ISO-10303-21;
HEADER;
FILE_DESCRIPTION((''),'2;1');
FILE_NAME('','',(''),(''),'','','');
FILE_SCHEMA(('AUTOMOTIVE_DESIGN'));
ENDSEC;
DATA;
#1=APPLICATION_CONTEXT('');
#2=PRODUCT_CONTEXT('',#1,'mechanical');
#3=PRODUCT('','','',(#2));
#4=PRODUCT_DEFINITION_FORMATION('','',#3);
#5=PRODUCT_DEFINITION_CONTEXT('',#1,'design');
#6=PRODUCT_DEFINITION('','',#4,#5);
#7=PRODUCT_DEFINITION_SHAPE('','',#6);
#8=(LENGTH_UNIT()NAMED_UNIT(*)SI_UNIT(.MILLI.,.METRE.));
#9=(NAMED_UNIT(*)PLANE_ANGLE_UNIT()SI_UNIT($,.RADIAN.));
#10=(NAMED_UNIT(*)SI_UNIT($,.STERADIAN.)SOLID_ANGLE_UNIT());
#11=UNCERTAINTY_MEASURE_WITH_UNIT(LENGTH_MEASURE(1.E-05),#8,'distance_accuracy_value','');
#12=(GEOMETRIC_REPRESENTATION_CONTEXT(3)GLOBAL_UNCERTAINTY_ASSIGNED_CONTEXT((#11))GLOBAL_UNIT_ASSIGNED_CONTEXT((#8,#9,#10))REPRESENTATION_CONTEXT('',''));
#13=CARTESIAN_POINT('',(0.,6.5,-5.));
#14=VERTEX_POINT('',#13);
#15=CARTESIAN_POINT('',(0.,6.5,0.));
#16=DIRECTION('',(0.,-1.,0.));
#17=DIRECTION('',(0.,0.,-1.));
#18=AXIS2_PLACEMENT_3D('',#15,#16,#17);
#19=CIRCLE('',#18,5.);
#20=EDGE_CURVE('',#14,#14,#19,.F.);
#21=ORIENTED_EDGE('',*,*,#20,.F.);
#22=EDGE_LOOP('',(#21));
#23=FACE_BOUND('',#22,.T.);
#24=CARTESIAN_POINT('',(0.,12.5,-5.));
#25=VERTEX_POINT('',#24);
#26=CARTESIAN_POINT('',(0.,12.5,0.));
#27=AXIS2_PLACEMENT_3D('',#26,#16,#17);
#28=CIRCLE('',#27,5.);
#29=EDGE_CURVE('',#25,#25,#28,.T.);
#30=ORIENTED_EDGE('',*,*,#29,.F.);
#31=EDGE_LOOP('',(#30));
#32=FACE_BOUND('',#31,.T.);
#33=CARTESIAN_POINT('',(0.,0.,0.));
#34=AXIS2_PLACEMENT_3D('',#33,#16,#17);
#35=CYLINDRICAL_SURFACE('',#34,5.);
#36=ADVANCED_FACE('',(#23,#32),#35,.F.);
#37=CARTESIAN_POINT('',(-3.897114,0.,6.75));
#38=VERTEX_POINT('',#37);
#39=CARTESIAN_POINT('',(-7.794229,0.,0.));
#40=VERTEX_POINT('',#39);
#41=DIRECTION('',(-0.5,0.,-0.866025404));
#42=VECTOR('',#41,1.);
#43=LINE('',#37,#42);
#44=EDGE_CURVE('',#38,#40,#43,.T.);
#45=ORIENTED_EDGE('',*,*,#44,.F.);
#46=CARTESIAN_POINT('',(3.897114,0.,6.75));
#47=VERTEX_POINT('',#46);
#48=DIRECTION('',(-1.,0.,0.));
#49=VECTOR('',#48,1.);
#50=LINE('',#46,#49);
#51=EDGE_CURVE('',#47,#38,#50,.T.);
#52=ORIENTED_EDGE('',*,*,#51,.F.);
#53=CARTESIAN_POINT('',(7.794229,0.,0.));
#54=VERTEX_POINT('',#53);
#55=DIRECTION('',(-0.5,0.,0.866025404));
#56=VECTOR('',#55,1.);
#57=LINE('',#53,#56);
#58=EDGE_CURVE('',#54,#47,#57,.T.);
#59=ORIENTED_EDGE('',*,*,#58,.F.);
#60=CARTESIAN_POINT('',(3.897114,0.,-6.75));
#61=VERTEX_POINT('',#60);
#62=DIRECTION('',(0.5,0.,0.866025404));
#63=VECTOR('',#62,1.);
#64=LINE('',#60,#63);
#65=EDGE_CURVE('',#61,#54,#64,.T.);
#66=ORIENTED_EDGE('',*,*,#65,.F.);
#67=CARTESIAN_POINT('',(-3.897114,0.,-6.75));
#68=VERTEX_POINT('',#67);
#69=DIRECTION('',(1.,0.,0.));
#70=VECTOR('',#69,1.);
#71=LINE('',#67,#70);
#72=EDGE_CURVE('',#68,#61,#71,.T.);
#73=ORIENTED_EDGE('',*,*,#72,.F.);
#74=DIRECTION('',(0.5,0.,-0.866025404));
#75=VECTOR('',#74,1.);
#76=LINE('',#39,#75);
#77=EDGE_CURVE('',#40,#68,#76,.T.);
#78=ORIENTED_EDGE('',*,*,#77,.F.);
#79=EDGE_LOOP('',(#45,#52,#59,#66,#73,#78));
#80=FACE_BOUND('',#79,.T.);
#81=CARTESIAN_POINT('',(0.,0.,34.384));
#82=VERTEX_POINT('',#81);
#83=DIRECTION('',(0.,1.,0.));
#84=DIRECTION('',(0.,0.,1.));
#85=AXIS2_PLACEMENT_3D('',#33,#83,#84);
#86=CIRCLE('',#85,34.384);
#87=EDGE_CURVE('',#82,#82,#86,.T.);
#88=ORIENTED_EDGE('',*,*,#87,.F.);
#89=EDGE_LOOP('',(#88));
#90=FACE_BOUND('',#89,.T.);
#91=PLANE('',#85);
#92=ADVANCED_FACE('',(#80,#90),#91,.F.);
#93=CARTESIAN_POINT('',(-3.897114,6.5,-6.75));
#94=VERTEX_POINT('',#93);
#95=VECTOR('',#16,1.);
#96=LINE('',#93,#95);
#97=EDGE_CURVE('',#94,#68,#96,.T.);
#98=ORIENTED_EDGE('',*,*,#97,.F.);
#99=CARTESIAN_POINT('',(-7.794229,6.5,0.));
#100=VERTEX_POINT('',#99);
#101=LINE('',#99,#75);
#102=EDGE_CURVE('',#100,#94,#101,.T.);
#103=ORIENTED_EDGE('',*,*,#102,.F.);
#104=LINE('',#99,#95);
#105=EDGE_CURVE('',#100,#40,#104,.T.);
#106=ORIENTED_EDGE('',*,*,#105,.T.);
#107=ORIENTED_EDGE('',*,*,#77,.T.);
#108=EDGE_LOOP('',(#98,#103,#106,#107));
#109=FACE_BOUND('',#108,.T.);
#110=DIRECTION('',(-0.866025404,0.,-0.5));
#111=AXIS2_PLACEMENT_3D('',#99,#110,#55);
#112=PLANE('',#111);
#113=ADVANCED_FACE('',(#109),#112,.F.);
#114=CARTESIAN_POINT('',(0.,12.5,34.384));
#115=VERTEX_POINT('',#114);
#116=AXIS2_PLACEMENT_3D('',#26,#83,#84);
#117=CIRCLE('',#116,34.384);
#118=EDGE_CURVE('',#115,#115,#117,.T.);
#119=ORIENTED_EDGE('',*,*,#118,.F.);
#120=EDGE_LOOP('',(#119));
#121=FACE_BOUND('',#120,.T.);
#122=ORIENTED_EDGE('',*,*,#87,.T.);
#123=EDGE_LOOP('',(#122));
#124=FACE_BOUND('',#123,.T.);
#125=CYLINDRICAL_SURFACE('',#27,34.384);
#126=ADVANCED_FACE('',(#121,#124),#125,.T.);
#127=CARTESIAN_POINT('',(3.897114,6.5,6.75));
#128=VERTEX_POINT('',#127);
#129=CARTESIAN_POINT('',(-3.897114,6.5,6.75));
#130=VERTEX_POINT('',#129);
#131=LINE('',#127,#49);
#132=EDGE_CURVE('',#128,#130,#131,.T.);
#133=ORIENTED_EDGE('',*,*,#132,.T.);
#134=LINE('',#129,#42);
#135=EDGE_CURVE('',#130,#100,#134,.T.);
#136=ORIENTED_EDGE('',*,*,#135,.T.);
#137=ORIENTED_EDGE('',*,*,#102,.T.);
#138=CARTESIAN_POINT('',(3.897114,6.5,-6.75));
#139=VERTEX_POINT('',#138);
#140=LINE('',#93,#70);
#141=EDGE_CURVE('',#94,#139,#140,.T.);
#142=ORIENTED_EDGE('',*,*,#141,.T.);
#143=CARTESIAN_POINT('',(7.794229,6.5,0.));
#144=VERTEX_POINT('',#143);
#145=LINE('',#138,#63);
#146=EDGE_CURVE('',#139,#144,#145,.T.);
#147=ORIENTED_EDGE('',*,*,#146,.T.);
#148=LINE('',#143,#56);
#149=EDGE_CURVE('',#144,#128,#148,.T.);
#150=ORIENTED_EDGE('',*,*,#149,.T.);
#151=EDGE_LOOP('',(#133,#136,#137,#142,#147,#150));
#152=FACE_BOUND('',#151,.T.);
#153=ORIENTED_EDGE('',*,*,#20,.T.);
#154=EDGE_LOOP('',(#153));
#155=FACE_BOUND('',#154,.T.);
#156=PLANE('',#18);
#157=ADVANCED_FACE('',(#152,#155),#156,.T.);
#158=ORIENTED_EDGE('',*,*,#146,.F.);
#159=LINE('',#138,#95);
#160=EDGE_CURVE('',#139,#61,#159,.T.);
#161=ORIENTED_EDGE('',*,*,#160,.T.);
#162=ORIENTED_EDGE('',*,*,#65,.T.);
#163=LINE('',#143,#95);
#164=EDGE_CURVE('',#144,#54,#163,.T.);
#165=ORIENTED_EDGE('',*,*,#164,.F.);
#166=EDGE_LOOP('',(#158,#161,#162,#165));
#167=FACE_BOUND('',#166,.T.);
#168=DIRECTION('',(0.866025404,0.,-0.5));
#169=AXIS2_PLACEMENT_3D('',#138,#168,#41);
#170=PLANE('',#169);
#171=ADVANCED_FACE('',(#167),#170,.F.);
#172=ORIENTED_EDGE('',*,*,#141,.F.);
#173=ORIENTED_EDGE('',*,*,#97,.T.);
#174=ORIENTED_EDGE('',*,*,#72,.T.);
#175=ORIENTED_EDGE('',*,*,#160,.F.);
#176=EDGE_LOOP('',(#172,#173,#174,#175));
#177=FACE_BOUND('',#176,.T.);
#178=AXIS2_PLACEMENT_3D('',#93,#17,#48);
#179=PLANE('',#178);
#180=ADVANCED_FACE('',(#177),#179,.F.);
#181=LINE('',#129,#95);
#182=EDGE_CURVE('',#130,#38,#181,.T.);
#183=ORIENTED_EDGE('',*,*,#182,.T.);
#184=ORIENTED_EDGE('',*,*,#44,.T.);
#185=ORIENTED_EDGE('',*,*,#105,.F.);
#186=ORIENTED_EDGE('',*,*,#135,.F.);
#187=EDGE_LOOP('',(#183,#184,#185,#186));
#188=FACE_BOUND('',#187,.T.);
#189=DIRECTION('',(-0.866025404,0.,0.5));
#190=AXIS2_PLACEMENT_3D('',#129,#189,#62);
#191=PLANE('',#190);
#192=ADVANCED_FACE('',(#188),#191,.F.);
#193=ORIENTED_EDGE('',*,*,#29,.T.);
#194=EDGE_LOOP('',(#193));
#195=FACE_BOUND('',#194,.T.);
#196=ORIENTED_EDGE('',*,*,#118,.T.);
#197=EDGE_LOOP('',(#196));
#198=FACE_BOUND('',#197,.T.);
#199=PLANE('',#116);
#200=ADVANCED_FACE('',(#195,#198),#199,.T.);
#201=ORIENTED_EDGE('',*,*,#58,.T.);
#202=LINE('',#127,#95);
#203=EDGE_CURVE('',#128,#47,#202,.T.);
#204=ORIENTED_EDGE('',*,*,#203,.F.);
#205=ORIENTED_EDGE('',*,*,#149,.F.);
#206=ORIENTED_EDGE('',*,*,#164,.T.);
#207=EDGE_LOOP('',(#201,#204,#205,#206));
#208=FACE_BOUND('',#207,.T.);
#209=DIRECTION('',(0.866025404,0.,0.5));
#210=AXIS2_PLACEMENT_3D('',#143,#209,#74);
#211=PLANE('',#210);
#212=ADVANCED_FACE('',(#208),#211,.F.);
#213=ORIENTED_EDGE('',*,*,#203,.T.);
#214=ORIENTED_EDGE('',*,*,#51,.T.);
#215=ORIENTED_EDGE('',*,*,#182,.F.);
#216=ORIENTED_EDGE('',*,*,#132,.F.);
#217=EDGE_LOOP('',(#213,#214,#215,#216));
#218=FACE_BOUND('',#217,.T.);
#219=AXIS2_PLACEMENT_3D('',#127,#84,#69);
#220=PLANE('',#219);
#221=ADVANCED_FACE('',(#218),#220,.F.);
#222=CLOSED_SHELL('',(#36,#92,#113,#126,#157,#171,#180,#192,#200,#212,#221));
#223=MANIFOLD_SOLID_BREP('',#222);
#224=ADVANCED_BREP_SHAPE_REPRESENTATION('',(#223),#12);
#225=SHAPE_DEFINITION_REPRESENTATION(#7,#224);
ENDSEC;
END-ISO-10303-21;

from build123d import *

# Parameters (mm, degrees)
SKETCH1_R              = 34.384
BOSS_EXTRUDE1_DEPTH    = 12.5
F_10_0MM_DOWEL_HOLE1_D = 10
CUT_EXTRUDE1_DEPTH     = 6.5


with BuildPart() as part:
    # Sketch1 → Boss-Extrude1 (new body)
    with BuildSketch(Plane(origin=(0, 0, 0), x_dir=(1, 0, 0), z_dir=(0, 1, 0))):
        with Locations(Location((0, 0, 0), (0, 0, 270))):
            Circle(SKETCH1_R)
    extrude(amount=BOSS_EXTRUDE1_DEPTH)

    # Ø10.0mm Dowel Hole1 (through all)
    with Locations(Plane(origin=(0, 0, 0), x_dir=(-1, 0, 0), z_dir=(0, -1, 0))):
        with Locations((0, 0)):
            Hole(F_10_0MM_DOWEL_HOLE1_D / 2)

    # Sketch4 → Cut-Extrude1 (cut)
    with BuildSketch(Plane(origin=(0, 0, 0), x_dir=(-1, 0, 0), z_dir=(0, -1, 0))):
        Polygon((-3.897114317, -6.75), (3.897114317, -6.75), (7.794228634, 0), (3.897114317, 6.75), (-3.897114317, 6.75), (-7.794228634, 0), align=None)
    extrude(amount=-CUT_EXTRUDE1_DEPTH, mode=Mode.SUBTRACT)


solid = part.part
